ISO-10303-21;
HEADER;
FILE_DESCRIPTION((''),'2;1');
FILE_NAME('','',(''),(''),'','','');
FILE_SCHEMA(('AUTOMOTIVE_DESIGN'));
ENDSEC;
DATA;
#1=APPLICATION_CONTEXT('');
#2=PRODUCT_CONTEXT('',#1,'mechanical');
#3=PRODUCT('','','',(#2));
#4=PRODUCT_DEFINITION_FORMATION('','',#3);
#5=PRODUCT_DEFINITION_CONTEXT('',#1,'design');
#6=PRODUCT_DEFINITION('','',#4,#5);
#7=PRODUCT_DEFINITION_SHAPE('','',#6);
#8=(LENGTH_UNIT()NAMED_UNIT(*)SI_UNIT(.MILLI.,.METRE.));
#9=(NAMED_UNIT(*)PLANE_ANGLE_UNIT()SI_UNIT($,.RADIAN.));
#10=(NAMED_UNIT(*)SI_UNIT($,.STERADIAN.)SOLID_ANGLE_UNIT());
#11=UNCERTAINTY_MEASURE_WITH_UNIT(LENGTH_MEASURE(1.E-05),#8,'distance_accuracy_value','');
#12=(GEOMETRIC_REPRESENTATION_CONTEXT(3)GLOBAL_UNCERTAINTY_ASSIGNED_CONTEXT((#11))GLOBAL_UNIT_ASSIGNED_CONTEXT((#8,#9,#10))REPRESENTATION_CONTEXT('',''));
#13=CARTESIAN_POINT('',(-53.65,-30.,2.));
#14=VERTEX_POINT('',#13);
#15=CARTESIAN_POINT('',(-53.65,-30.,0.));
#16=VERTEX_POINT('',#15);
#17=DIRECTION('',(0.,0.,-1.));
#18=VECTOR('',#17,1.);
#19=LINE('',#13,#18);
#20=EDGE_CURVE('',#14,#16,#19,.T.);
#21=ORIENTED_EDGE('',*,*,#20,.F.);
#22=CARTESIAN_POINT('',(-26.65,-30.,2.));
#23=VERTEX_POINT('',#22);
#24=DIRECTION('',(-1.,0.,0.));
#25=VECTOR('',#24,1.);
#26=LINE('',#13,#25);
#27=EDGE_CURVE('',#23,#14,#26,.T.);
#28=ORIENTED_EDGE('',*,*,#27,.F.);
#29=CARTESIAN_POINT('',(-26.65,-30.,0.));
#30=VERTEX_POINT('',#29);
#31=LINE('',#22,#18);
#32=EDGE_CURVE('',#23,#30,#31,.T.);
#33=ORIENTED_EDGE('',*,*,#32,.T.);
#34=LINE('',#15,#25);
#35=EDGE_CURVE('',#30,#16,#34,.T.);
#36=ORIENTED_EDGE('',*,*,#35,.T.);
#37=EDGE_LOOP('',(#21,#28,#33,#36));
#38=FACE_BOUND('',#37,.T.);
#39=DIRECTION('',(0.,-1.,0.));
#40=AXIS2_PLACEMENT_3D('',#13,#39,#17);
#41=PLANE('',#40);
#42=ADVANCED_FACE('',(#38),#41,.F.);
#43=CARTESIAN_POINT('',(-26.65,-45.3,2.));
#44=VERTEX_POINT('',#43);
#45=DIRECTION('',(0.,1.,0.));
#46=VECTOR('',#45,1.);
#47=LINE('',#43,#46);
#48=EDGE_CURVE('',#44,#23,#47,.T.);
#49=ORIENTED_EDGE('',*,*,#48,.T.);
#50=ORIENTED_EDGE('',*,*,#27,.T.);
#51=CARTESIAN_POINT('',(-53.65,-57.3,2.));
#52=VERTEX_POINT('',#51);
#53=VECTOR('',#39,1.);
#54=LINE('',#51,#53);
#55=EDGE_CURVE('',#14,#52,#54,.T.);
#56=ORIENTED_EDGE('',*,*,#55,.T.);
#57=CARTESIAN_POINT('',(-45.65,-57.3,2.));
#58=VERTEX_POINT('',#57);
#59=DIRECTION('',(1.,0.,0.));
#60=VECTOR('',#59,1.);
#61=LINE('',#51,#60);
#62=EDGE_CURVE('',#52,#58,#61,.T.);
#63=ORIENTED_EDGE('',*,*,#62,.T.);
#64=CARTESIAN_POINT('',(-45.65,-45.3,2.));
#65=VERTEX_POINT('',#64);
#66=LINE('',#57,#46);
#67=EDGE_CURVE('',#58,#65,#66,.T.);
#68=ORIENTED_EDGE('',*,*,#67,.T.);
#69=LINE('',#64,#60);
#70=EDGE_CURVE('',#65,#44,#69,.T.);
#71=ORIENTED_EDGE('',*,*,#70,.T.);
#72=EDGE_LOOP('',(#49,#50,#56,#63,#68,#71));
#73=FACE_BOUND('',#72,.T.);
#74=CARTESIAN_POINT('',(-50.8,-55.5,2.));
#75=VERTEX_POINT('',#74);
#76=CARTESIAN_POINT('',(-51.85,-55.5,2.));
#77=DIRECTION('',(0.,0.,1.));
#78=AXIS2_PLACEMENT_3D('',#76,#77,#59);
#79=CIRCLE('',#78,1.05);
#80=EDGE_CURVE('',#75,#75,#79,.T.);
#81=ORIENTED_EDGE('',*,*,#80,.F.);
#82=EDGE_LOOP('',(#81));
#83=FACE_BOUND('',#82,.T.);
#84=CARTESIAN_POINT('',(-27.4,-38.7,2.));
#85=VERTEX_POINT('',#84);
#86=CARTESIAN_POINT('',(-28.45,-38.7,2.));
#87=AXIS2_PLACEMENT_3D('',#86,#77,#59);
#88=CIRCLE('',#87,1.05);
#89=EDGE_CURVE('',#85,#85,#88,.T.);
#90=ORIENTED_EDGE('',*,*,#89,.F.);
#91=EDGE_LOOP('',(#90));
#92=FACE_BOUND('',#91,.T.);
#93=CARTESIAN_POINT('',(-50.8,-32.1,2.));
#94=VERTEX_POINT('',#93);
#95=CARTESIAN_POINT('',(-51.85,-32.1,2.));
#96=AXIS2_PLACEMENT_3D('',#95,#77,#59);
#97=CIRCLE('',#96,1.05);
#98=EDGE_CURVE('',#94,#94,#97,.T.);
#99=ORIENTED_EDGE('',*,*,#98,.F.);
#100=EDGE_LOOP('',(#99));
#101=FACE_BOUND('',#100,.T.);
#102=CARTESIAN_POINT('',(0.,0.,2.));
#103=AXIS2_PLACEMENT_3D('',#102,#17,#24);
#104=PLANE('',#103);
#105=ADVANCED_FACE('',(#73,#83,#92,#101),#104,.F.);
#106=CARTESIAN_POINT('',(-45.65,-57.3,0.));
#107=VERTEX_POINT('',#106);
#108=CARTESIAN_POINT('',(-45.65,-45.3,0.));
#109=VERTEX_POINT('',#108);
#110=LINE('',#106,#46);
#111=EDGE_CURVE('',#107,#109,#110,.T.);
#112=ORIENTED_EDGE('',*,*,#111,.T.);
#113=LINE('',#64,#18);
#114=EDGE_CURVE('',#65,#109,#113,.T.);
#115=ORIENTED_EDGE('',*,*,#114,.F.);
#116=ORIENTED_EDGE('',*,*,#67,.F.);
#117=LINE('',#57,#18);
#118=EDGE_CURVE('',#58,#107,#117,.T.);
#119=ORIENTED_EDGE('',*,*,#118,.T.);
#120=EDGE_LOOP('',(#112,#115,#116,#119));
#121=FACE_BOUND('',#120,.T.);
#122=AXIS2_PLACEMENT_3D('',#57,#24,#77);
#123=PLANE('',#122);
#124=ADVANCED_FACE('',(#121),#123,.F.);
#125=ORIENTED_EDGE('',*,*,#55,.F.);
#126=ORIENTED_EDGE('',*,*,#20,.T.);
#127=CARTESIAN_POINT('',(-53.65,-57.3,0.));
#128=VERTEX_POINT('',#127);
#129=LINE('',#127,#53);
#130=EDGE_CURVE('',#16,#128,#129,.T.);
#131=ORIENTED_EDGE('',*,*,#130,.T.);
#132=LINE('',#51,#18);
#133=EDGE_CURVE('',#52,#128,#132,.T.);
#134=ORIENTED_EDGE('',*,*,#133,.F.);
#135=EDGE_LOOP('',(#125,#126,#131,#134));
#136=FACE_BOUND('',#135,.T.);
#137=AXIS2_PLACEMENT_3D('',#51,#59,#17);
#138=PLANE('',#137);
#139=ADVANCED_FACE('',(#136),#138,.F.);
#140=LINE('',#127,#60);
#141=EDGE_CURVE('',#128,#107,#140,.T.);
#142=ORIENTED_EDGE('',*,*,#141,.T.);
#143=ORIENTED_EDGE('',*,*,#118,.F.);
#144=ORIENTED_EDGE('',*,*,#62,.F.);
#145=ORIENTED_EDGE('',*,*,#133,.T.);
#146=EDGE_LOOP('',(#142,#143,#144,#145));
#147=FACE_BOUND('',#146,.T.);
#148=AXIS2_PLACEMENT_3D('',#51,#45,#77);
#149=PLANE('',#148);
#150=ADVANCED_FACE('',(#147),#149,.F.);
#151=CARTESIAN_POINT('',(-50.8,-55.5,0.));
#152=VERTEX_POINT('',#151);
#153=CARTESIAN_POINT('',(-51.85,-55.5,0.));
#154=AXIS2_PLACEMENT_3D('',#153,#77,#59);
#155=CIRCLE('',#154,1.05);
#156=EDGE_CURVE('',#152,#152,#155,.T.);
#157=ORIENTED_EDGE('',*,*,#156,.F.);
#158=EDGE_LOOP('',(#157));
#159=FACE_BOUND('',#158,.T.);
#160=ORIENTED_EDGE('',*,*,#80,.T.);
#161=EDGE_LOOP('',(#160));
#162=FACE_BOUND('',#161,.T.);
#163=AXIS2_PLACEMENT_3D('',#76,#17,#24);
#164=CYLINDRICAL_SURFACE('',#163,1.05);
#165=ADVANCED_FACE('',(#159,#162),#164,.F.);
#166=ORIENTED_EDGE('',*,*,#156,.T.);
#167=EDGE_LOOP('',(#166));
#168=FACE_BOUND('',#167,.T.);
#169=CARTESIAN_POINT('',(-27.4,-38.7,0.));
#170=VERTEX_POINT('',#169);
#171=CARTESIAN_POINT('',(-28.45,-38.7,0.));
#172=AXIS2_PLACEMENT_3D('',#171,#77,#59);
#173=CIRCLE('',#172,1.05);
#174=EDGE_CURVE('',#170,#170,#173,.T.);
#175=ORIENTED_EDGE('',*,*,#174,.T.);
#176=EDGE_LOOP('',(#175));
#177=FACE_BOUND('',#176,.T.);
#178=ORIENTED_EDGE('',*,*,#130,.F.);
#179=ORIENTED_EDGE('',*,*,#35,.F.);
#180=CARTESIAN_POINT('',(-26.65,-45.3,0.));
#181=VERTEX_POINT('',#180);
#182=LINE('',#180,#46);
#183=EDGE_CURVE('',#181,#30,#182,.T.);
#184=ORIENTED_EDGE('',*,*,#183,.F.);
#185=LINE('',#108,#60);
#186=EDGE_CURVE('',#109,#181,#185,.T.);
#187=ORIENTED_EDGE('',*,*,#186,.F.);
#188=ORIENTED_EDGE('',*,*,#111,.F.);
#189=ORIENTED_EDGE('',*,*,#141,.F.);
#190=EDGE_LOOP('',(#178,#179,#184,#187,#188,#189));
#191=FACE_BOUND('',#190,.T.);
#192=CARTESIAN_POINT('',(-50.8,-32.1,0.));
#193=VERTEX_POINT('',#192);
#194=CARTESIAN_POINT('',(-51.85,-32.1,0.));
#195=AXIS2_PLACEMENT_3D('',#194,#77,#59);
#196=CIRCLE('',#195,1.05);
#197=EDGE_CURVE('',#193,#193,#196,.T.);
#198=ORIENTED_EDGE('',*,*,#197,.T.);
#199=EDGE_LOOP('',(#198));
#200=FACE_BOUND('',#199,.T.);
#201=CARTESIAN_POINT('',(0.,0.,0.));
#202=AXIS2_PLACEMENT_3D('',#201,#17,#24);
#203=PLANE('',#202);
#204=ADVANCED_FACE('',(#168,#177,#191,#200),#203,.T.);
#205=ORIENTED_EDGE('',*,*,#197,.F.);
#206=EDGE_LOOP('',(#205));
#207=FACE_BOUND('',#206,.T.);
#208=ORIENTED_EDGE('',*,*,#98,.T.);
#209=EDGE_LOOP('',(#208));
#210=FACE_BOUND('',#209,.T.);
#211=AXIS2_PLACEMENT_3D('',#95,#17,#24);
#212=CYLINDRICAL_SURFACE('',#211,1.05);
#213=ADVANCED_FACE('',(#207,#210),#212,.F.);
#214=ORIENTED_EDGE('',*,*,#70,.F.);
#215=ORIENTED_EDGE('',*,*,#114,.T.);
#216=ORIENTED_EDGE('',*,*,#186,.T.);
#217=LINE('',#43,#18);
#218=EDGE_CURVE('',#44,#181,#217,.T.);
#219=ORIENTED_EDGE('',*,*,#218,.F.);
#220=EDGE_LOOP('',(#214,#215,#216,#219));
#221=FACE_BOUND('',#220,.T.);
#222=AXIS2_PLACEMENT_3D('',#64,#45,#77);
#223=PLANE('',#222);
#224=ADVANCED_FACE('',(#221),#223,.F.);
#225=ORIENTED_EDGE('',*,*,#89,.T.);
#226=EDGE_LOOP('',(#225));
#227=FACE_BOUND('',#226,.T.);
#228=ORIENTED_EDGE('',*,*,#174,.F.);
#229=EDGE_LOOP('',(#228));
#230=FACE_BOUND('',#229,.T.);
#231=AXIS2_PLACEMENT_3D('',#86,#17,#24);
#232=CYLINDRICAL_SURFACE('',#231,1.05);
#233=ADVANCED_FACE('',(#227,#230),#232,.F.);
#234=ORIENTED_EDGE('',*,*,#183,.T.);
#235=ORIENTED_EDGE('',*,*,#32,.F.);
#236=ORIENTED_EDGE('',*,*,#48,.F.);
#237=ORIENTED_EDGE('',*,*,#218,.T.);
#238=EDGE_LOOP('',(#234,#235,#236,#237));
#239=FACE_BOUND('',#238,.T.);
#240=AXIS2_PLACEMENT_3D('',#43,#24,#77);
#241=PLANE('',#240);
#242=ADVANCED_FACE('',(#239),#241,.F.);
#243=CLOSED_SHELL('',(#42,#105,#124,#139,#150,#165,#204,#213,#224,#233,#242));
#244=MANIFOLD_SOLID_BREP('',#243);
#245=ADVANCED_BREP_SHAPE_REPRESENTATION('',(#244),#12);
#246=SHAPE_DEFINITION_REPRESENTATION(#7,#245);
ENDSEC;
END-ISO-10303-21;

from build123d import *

# Parameters (mm, degrees)
SKETCH1_R           = 1.05
BOSS_EXTRUDE1_DEPTH = 2


with BuildPart() as part:
    # Sketch1 → Boss-Extrude1 (new body)
    with BuildSketch(Plane.XY):
        Polygon((-53.65, -57.3), (-45.65, -57.3), (-45.65, -45.3), (-26.65, -45.3), (-26.65, -30), (-53.65, -30), align=None)
        with Locations((-28.45, -38.7)):
            Circle(SKETCH1_R, mode=Mode.SUBTRACT)
        with Locations((-51.85, -32.1)):
            Circle(SKETCH1_R, mode=Mode.SUBTRACT)
        with Locations((-51.85, -55.5)):
            Circle(SKETCH1_R, mode=Mode.SUBTRACT)
    extrude(amount=BOSS_EXTRUDE1_DEPTH)


solid = part.part
